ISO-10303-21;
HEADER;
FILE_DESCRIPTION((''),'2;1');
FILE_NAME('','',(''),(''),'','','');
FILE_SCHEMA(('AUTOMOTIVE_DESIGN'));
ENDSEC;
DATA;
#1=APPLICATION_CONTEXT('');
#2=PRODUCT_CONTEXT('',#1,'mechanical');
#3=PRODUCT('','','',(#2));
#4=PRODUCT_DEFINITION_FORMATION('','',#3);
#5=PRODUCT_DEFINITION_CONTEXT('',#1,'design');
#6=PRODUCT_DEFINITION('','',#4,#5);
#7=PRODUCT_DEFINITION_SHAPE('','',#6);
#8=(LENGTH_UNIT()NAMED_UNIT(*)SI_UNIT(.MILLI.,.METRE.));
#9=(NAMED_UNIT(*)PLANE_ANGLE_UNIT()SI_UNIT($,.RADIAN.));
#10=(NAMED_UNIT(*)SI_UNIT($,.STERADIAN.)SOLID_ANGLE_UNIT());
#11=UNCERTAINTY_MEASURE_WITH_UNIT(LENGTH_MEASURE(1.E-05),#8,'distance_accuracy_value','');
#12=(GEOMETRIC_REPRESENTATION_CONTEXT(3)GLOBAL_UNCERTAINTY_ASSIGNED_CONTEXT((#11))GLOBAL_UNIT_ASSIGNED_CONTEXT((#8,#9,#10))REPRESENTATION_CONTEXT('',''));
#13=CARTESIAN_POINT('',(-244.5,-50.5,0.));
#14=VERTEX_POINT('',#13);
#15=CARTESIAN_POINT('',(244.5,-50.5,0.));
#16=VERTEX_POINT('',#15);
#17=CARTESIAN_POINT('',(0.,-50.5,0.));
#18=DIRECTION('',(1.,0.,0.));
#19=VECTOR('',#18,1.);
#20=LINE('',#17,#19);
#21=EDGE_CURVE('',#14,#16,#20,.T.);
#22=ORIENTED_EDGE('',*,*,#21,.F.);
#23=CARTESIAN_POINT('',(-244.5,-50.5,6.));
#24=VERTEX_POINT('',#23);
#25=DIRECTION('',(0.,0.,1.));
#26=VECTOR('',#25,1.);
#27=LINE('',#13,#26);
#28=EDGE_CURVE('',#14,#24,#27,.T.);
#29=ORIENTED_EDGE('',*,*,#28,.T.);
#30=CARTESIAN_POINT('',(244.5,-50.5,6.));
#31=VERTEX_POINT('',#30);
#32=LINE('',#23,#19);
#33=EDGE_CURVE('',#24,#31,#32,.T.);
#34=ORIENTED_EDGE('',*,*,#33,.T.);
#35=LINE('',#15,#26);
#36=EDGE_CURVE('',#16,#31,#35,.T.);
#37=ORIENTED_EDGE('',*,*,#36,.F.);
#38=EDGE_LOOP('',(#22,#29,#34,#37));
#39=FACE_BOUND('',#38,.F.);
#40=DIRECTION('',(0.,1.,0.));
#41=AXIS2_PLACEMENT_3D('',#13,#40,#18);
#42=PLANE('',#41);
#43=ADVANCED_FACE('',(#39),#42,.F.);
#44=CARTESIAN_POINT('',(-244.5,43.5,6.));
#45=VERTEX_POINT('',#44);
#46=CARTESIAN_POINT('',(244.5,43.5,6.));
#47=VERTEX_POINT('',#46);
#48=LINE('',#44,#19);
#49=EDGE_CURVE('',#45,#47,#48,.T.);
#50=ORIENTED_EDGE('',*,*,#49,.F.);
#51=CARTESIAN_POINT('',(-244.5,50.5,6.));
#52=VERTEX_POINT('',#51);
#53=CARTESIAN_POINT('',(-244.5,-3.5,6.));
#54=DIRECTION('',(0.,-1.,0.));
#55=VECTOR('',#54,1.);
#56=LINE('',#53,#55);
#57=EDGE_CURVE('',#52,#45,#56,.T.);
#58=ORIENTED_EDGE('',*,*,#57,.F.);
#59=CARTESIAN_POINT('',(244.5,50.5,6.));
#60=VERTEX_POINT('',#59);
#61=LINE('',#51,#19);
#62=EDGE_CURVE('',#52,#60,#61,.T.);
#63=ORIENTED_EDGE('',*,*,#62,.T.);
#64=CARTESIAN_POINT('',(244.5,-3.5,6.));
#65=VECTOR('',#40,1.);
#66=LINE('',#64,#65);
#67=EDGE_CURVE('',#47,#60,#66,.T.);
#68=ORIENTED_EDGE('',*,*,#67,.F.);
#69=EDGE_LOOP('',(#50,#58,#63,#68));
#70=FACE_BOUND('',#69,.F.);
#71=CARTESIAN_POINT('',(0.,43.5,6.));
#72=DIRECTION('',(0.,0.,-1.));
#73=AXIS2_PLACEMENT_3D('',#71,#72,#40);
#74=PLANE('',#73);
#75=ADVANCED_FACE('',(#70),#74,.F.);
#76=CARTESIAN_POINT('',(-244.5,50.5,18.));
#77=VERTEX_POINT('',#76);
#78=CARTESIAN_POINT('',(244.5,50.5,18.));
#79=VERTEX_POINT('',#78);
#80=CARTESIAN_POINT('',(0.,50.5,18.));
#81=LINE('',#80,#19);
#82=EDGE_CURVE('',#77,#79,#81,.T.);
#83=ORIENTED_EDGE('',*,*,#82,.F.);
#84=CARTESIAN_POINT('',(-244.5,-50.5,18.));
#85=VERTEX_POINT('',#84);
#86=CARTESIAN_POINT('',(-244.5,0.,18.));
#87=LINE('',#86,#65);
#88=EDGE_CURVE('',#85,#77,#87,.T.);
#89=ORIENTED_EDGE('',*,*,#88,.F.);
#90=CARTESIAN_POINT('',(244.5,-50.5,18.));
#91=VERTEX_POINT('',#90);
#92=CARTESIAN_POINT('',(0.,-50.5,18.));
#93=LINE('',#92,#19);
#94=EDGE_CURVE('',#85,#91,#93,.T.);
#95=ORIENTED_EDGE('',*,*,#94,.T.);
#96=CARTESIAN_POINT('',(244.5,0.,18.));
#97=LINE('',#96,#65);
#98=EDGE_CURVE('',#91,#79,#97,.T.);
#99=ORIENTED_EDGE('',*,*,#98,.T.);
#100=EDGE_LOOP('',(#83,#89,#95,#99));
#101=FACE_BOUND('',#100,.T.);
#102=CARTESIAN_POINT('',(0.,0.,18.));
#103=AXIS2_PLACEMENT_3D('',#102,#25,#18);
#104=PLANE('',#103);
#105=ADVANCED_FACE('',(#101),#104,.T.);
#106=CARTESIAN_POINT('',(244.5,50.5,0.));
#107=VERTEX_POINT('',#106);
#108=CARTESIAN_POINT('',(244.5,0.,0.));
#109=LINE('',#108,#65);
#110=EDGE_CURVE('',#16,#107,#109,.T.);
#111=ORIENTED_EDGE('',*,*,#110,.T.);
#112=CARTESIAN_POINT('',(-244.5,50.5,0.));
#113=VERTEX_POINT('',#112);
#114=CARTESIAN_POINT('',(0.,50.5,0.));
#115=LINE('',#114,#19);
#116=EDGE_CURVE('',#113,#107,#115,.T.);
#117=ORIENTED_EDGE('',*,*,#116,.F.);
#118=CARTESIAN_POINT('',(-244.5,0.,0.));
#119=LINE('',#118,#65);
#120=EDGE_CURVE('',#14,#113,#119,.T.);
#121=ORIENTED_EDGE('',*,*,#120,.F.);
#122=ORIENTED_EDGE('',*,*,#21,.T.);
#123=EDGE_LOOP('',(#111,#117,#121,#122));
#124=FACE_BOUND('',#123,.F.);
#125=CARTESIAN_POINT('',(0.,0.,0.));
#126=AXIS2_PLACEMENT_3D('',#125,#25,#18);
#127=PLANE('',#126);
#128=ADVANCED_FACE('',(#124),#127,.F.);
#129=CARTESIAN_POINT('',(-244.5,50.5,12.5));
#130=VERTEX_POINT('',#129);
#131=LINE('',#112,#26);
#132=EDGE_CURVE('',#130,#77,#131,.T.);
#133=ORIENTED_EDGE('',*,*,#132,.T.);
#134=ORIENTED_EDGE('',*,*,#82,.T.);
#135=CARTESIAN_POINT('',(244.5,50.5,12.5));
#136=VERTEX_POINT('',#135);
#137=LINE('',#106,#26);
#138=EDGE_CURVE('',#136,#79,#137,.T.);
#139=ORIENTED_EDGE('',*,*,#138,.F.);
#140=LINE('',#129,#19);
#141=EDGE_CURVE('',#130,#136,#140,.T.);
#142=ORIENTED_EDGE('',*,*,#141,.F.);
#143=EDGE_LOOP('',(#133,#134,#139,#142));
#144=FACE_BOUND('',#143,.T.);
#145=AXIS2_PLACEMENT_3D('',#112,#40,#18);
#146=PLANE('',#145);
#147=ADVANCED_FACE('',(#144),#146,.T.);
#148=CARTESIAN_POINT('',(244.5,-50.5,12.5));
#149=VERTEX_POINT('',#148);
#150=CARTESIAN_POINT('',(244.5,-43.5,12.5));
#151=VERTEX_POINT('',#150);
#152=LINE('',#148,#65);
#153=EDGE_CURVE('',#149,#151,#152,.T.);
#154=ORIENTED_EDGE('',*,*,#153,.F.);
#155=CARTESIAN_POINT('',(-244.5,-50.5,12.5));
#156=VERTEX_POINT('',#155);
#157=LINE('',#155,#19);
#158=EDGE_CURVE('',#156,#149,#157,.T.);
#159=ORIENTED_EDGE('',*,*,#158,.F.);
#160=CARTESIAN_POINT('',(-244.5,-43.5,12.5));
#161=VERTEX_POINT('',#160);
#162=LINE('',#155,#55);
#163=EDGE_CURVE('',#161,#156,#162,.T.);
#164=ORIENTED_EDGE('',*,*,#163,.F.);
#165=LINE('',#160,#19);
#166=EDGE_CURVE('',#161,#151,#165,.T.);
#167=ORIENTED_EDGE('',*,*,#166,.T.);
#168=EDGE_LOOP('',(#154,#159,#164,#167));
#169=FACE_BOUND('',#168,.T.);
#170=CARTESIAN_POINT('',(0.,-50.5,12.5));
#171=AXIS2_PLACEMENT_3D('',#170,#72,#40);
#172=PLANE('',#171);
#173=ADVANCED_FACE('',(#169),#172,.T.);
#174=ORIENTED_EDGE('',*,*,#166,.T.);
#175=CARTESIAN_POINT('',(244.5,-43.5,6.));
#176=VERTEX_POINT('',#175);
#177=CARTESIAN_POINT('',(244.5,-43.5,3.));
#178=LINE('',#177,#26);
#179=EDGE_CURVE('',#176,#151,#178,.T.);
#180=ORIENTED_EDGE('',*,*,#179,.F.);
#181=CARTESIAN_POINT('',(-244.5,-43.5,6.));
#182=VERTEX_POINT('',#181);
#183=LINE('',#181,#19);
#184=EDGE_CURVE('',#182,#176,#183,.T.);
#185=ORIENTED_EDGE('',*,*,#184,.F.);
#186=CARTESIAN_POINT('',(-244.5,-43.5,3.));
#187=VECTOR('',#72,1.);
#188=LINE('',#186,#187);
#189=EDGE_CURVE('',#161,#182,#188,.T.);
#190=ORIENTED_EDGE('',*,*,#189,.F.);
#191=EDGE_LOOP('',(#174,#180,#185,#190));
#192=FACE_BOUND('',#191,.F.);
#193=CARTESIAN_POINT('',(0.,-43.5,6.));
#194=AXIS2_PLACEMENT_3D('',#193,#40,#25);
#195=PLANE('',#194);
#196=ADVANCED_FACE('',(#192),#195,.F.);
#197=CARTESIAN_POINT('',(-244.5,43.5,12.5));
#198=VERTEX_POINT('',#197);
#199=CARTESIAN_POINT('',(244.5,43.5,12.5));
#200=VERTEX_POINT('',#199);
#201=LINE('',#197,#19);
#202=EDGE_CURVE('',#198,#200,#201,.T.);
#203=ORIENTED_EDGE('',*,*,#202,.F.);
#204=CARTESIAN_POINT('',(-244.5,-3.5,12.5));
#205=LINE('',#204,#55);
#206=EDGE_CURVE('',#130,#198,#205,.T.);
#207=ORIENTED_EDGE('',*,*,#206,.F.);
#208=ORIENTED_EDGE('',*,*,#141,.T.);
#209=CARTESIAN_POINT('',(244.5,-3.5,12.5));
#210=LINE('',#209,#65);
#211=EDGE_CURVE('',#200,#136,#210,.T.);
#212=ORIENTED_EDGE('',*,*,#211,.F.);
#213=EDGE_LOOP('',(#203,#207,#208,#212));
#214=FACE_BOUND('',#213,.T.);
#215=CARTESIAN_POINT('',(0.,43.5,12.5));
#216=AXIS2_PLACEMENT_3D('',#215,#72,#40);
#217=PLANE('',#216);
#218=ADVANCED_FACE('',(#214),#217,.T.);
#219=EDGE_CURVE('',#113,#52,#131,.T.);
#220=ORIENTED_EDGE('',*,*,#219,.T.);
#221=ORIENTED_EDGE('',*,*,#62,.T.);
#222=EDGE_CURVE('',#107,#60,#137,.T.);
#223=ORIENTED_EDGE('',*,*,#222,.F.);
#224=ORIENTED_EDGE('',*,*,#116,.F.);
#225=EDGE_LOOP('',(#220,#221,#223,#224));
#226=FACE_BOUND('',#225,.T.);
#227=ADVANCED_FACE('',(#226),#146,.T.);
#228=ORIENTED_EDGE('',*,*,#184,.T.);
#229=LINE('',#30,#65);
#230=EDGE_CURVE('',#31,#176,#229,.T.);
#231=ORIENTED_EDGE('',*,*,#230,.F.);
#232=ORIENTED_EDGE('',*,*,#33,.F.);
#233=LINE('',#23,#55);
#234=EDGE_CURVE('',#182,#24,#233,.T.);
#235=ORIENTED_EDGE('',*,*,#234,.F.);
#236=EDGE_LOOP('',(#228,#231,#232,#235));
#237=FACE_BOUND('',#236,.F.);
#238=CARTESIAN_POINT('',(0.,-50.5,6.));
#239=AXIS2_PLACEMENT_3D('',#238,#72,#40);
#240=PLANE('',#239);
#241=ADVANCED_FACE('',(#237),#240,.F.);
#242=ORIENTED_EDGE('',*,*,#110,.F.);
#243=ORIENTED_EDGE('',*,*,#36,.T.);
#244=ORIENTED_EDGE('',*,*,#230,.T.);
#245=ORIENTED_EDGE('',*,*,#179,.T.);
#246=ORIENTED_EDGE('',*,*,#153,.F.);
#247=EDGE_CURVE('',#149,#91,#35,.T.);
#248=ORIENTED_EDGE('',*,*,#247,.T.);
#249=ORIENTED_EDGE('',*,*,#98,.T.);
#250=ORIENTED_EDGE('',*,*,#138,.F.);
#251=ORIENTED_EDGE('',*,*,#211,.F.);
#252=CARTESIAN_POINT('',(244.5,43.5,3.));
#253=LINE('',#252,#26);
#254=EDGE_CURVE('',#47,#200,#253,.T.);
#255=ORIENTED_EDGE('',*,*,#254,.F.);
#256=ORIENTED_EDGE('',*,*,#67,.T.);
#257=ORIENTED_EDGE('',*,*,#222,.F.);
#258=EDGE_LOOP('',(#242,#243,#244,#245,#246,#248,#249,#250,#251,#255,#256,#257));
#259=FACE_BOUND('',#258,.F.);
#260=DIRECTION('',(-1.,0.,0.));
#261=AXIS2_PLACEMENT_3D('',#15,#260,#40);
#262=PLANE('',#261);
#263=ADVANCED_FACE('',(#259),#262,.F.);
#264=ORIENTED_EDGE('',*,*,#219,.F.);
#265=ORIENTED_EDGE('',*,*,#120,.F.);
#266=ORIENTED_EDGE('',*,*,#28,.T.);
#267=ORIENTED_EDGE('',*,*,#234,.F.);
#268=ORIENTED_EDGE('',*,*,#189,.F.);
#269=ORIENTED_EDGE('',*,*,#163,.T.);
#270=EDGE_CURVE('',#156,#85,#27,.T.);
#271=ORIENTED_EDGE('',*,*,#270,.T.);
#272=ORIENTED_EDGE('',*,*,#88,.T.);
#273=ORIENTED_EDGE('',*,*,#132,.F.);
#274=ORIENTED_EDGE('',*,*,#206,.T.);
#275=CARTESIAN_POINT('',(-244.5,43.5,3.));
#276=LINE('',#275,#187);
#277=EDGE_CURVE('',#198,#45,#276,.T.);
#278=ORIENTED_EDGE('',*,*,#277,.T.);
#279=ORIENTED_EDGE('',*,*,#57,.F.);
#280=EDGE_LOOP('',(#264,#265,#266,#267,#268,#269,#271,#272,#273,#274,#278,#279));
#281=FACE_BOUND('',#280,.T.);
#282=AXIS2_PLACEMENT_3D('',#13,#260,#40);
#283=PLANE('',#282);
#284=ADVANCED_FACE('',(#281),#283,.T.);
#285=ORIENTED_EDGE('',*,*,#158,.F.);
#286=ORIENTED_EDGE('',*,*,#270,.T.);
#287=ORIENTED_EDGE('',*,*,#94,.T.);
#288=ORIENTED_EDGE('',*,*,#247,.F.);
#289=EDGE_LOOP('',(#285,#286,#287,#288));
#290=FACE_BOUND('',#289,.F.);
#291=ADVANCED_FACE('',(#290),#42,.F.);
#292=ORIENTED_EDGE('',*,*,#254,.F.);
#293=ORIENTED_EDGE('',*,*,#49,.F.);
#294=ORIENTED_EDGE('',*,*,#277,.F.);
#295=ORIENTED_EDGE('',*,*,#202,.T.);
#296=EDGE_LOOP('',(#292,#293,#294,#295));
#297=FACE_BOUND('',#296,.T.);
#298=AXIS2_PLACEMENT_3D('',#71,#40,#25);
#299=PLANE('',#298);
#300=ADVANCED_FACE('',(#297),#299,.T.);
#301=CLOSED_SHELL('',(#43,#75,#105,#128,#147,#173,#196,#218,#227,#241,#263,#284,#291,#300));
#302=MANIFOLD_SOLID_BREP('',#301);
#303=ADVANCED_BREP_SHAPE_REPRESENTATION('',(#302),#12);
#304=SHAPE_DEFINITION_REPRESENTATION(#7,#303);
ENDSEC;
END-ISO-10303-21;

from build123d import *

# Parameters (mm, degrees)
SKETCH_W          = 489
SKETCH_H          = 101
PAD_DEPTH         = 18
SKETCH001_W       = 7
SKETCH001_H       = 6.5
POCKET_DEPTH      = 550
POCKET_DEPTH_BACK = -555


with BuildPart() as part:
    # Sketch → Pad (new body)
    with BuildSketch(Plane.XY):
        Rectangle(SKETCH_W, SKETCH_H)
    extrude(amount=PAD_DEPTH)

    # Sketch001 → Pocket (cut, two sides)
    with BuildSketch(Plane.YZ) as pocket_sk:
        with Locations((47, 9.25)):
            Rectangle(SKETCH001_W, SKETCH001_H)
        with Locations((-47, 9.25)):
            Rectangle(SKETCH001_W, SKETCH001_H)
    extrude(amount=-POCKET_DEPTH, mode=Mode.SUBTRACT)
    extrude(pocket_sk.sketch, amount=-POCKET_DEPTH_BACK, mode=Mode.SUBTRACT)


solid = part.part
